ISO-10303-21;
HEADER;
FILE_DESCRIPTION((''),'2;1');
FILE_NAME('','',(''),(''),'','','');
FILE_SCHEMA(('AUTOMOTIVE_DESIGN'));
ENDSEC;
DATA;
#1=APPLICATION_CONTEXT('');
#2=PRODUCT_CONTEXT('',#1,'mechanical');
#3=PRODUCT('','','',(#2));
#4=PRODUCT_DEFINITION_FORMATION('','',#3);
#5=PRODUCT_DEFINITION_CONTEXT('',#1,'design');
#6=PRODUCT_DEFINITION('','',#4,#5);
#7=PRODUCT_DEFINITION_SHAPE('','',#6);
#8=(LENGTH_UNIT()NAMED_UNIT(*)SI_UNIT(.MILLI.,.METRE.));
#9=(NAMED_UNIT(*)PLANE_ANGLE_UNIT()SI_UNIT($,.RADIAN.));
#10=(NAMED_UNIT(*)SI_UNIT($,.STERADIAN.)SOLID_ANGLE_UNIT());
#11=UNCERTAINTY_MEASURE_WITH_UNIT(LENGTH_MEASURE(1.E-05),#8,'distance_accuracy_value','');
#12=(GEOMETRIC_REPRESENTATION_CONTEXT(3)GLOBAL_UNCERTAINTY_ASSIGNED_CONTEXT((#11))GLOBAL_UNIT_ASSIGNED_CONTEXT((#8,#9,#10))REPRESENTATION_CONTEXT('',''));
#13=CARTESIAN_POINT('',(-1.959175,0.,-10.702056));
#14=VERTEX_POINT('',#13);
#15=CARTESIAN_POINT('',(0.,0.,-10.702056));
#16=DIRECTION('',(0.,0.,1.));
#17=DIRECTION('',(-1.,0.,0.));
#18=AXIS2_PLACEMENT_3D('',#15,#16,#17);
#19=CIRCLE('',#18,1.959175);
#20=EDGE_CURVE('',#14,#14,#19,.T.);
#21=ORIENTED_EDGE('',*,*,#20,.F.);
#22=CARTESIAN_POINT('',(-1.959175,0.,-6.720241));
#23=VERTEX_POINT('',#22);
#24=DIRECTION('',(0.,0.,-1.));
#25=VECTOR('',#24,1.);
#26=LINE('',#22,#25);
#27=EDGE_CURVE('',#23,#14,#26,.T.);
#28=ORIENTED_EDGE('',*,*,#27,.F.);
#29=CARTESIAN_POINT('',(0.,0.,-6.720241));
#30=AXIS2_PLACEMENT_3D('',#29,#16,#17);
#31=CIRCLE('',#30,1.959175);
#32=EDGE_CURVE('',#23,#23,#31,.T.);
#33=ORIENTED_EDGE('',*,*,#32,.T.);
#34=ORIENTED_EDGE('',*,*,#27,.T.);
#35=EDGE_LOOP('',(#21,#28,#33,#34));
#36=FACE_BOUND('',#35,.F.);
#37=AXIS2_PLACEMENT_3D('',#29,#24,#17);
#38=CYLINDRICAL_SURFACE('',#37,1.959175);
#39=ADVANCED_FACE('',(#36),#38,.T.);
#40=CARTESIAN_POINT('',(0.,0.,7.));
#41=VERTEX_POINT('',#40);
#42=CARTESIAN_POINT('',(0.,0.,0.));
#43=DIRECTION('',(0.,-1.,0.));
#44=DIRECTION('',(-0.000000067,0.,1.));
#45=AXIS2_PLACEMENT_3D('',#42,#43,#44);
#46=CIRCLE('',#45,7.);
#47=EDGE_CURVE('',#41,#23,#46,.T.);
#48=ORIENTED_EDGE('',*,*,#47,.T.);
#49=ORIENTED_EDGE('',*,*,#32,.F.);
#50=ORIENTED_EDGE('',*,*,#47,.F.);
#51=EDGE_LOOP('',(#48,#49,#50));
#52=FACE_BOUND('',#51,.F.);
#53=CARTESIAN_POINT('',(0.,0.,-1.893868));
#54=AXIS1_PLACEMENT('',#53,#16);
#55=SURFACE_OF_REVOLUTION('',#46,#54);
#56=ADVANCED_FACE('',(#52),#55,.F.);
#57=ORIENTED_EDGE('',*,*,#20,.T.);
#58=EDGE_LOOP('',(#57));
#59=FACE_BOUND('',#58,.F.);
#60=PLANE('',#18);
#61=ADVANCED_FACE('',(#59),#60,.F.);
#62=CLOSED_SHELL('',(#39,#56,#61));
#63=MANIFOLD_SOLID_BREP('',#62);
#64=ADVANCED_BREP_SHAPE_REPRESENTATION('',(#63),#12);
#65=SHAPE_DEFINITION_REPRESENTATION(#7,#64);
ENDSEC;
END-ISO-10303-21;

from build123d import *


with BuildPart() as f1:
    # F0 (on Front) → F1 (revolve)
    with BuildSketch(Plane.XZ):
        with BuildLine():
            Line((0, -10.702056), (0, 7))
            ThreePointArc((0, 7), (-6.929707, 0.989524), (-1.959175, -6.720241))
            Line((-1.959175, -6.720241), (-1.959175, -10.702056))
            Line((-1.959175, -10.702056), (0, -10.702056))
        make_face()
    revolve(axis=Axis((0, 0, -1.893868), (0, 0, 1)))


solid = f1.part
